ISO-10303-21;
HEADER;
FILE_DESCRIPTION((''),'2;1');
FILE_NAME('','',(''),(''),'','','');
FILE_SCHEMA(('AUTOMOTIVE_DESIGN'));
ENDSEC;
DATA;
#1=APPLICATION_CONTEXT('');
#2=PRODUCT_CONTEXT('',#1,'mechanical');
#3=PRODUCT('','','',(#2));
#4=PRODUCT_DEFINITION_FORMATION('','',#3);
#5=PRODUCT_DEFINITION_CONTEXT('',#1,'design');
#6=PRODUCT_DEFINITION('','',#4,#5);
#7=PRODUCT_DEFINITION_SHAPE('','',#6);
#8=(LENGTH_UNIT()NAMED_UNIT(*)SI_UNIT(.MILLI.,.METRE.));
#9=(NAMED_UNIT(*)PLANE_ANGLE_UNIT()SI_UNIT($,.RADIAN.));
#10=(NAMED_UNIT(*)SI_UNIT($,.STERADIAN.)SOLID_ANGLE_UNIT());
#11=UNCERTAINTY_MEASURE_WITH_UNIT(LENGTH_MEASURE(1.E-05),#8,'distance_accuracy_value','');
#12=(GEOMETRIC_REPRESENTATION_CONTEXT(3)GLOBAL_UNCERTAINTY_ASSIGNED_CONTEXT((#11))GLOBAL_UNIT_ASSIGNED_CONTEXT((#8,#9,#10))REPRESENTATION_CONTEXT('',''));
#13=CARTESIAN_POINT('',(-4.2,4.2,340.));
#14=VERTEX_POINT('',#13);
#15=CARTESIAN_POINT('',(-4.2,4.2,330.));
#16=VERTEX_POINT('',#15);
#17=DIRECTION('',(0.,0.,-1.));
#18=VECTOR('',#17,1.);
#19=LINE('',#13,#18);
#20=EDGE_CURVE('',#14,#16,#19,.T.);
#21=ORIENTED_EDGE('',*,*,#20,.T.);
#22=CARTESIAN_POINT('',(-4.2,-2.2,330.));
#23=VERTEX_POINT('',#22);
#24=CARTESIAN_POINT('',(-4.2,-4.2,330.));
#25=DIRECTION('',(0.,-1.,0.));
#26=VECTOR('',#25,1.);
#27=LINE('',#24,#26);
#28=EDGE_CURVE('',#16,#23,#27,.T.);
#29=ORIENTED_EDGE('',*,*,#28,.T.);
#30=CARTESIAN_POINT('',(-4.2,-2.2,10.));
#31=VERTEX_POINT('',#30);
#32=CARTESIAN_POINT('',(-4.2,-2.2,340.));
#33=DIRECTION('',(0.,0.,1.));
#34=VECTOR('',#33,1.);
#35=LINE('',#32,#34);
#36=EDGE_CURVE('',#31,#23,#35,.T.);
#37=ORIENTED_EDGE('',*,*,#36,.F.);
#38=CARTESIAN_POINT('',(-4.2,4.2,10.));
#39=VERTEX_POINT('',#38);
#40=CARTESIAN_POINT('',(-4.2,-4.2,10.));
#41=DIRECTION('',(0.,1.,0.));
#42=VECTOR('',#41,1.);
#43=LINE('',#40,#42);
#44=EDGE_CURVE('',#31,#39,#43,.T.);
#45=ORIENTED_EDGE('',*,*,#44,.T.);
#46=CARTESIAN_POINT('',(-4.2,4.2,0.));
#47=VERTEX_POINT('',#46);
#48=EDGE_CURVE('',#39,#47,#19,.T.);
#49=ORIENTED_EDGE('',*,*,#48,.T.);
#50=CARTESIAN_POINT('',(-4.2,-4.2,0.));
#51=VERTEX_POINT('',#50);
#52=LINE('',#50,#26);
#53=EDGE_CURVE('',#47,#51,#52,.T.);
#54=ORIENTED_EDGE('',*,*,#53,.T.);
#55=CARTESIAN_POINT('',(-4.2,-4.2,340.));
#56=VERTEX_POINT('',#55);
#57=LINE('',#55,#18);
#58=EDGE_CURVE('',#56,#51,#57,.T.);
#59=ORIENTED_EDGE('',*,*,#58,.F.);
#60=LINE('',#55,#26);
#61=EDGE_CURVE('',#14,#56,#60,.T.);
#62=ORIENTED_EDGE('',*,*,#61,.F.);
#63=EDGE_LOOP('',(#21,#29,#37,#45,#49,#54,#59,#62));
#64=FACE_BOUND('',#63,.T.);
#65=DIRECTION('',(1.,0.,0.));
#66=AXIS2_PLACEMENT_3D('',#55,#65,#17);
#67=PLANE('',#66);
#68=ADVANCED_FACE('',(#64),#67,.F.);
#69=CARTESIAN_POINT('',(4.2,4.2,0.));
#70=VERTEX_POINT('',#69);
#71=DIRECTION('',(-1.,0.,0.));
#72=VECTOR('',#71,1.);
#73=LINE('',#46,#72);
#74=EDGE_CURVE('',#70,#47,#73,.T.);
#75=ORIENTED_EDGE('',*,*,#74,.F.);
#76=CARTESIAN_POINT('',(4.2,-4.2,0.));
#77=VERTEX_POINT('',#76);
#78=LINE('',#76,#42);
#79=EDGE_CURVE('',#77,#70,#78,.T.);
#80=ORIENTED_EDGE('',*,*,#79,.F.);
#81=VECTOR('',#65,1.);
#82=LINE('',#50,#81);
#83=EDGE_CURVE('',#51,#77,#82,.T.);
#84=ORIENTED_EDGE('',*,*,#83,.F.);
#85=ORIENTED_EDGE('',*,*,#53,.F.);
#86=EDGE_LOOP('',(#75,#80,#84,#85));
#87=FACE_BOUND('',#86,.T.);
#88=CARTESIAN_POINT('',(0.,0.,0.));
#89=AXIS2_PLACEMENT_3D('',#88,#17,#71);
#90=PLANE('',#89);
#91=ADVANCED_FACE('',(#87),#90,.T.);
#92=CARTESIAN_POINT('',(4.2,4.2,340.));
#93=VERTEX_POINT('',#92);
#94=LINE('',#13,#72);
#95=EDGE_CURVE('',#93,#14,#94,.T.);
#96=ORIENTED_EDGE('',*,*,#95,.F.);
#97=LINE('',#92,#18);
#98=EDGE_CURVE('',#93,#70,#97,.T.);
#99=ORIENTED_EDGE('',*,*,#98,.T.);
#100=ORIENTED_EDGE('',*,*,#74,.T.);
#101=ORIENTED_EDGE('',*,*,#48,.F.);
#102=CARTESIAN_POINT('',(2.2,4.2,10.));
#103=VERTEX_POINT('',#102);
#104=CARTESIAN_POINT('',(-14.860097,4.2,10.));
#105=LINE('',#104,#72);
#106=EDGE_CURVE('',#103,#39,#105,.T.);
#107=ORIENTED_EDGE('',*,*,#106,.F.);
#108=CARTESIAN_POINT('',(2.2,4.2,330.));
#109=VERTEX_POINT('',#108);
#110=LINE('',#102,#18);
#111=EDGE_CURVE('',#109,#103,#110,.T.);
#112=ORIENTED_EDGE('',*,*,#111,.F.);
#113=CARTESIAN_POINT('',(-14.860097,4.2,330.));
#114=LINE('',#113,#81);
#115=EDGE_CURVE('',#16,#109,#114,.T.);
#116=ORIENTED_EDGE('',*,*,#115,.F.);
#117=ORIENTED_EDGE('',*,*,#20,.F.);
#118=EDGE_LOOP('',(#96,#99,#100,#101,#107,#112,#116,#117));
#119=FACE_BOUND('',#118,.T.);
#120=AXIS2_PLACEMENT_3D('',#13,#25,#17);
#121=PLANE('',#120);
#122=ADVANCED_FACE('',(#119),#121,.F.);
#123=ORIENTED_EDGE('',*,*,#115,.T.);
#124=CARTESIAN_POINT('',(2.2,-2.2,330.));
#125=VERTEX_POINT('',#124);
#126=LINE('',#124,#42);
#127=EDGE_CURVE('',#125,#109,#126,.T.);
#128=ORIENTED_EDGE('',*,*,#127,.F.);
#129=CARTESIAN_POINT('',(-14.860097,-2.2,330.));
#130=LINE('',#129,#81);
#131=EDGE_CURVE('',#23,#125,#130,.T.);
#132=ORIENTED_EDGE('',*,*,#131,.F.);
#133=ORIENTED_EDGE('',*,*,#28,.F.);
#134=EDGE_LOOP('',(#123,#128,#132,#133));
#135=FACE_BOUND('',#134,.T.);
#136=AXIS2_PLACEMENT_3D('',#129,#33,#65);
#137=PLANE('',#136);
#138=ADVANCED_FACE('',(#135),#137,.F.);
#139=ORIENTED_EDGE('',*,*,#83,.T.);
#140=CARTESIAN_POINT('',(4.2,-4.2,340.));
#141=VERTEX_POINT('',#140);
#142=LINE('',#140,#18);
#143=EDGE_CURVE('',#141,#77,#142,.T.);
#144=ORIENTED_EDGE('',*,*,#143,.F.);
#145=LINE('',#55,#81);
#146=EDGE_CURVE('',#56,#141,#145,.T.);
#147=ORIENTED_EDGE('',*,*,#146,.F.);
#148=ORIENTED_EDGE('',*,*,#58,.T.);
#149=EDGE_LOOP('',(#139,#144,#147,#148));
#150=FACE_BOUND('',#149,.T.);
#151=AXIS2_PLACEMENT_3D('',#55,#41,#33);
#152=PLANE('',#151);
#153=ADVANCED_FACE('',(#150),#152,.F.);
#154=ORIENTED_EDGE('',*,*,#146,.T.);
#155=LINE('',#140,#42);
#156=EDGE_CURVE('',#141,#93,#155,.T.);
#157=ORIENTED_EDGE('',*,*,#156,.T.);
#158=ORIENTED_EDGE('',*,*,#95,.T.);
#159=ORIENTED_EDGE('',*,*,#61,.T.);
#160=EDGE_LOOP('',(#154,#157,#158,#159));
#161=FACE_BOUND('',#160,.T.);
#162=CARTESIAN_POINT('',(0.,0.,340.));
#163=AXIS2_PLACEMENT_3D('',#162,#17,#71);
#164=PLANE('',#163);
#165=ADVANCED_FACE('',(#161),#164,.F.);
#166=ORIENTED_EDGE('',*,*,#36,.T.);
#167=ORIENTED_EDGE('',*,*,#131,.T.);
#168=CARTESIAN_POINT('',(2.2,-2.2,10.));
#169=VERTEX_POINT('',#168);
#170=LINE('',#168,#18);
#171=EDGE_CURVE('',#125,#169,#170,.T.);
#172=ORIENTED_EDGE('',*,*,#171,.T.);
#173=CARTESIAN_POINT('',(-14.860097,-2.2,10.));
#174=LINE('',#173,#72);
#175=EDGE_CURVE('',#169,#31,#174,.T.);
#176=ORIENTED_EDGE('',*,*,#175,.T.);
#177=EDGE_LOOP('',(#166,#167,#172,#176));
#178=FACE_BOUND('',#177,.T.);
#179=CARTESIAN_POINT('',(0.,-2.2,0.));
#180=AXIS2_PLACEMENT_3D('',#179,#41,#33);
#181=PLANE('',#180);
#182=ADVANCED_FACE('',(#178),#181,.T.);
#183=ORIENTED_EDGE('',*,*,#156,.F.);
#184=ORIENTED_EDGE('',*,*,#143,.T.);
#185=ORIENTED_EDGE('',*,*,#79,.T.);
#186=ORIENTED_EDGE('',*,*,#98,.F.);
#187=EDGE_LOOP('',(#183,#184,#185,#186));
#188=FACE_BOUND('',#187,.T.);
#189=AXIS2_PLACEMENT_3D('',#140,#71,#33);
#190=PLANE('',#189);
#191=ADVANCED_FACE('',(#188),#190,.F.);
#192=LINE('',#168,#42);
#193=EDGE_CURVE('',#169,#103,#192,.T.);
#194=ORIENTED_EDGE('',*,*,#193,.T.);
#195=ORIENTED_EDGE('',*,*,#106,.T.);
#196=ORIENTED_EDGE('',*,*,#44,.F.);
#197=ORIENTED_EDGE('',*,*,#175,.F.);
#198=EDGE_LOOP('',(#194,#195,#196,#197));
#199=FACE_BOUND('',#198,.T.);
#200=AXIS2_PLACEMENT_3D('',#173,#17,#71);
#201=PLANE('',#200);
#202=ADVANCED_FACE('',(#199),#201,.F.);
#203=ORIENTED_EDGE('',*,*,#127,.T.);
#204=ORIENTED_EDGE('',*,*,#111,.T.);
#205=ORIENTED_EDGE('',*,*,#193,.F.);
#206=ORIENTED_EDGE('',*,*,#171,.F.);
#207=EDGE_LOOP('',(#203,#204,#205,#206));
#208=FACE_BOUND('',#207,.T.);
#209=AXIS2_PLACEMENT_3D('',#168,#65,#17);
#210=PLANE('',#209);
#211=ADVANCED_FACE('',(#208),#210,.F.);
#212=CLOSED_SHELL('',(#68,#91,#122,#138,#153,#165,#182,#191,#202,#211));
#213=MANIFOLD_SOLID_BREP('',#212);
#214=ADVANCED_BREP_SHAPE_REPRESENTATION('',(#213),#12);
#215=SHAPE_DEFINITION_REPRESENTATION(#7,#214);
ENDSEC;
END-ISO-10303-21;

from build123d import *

# Parameters (mm, degrees)
SKETCH_1_W          = 8.4
SKETCH_1_H          = 8.4
EXTRUDE_1_DEPTH     = 340
SKETCH_3_W          = 17.060097013
SKETCH_3_H          = 320
CUT_EXTRUDE_1_DEPTH = 6.4


with BuildPart() as part:
    # Эскиз1 → Бобышка-Вытянуть1 (new body)
    with BuildSketch(Plane.XY):
        Rectangle(SKETCH_1_W, SKETCH_1_H)
    extrude(amount=EXTRUDE_1_DEPTH)

    # Эскиз3 → Вырез-Вытянуть1 (cut)
    with BuildSketch(Plane(origin=(0, 4.2, 0), x_dir=(1, 0, 0), z_dir=(0, 1, 0))):
        with Locations((-6.330048507, -170)):
            Rectangle(SKETCH_3_W, SKETCH_3_H)
    extrude(amount=-CUT_EXTRUDE_1_DEPTH, mode=Mode.SUBTRACT)


solid = part.part
